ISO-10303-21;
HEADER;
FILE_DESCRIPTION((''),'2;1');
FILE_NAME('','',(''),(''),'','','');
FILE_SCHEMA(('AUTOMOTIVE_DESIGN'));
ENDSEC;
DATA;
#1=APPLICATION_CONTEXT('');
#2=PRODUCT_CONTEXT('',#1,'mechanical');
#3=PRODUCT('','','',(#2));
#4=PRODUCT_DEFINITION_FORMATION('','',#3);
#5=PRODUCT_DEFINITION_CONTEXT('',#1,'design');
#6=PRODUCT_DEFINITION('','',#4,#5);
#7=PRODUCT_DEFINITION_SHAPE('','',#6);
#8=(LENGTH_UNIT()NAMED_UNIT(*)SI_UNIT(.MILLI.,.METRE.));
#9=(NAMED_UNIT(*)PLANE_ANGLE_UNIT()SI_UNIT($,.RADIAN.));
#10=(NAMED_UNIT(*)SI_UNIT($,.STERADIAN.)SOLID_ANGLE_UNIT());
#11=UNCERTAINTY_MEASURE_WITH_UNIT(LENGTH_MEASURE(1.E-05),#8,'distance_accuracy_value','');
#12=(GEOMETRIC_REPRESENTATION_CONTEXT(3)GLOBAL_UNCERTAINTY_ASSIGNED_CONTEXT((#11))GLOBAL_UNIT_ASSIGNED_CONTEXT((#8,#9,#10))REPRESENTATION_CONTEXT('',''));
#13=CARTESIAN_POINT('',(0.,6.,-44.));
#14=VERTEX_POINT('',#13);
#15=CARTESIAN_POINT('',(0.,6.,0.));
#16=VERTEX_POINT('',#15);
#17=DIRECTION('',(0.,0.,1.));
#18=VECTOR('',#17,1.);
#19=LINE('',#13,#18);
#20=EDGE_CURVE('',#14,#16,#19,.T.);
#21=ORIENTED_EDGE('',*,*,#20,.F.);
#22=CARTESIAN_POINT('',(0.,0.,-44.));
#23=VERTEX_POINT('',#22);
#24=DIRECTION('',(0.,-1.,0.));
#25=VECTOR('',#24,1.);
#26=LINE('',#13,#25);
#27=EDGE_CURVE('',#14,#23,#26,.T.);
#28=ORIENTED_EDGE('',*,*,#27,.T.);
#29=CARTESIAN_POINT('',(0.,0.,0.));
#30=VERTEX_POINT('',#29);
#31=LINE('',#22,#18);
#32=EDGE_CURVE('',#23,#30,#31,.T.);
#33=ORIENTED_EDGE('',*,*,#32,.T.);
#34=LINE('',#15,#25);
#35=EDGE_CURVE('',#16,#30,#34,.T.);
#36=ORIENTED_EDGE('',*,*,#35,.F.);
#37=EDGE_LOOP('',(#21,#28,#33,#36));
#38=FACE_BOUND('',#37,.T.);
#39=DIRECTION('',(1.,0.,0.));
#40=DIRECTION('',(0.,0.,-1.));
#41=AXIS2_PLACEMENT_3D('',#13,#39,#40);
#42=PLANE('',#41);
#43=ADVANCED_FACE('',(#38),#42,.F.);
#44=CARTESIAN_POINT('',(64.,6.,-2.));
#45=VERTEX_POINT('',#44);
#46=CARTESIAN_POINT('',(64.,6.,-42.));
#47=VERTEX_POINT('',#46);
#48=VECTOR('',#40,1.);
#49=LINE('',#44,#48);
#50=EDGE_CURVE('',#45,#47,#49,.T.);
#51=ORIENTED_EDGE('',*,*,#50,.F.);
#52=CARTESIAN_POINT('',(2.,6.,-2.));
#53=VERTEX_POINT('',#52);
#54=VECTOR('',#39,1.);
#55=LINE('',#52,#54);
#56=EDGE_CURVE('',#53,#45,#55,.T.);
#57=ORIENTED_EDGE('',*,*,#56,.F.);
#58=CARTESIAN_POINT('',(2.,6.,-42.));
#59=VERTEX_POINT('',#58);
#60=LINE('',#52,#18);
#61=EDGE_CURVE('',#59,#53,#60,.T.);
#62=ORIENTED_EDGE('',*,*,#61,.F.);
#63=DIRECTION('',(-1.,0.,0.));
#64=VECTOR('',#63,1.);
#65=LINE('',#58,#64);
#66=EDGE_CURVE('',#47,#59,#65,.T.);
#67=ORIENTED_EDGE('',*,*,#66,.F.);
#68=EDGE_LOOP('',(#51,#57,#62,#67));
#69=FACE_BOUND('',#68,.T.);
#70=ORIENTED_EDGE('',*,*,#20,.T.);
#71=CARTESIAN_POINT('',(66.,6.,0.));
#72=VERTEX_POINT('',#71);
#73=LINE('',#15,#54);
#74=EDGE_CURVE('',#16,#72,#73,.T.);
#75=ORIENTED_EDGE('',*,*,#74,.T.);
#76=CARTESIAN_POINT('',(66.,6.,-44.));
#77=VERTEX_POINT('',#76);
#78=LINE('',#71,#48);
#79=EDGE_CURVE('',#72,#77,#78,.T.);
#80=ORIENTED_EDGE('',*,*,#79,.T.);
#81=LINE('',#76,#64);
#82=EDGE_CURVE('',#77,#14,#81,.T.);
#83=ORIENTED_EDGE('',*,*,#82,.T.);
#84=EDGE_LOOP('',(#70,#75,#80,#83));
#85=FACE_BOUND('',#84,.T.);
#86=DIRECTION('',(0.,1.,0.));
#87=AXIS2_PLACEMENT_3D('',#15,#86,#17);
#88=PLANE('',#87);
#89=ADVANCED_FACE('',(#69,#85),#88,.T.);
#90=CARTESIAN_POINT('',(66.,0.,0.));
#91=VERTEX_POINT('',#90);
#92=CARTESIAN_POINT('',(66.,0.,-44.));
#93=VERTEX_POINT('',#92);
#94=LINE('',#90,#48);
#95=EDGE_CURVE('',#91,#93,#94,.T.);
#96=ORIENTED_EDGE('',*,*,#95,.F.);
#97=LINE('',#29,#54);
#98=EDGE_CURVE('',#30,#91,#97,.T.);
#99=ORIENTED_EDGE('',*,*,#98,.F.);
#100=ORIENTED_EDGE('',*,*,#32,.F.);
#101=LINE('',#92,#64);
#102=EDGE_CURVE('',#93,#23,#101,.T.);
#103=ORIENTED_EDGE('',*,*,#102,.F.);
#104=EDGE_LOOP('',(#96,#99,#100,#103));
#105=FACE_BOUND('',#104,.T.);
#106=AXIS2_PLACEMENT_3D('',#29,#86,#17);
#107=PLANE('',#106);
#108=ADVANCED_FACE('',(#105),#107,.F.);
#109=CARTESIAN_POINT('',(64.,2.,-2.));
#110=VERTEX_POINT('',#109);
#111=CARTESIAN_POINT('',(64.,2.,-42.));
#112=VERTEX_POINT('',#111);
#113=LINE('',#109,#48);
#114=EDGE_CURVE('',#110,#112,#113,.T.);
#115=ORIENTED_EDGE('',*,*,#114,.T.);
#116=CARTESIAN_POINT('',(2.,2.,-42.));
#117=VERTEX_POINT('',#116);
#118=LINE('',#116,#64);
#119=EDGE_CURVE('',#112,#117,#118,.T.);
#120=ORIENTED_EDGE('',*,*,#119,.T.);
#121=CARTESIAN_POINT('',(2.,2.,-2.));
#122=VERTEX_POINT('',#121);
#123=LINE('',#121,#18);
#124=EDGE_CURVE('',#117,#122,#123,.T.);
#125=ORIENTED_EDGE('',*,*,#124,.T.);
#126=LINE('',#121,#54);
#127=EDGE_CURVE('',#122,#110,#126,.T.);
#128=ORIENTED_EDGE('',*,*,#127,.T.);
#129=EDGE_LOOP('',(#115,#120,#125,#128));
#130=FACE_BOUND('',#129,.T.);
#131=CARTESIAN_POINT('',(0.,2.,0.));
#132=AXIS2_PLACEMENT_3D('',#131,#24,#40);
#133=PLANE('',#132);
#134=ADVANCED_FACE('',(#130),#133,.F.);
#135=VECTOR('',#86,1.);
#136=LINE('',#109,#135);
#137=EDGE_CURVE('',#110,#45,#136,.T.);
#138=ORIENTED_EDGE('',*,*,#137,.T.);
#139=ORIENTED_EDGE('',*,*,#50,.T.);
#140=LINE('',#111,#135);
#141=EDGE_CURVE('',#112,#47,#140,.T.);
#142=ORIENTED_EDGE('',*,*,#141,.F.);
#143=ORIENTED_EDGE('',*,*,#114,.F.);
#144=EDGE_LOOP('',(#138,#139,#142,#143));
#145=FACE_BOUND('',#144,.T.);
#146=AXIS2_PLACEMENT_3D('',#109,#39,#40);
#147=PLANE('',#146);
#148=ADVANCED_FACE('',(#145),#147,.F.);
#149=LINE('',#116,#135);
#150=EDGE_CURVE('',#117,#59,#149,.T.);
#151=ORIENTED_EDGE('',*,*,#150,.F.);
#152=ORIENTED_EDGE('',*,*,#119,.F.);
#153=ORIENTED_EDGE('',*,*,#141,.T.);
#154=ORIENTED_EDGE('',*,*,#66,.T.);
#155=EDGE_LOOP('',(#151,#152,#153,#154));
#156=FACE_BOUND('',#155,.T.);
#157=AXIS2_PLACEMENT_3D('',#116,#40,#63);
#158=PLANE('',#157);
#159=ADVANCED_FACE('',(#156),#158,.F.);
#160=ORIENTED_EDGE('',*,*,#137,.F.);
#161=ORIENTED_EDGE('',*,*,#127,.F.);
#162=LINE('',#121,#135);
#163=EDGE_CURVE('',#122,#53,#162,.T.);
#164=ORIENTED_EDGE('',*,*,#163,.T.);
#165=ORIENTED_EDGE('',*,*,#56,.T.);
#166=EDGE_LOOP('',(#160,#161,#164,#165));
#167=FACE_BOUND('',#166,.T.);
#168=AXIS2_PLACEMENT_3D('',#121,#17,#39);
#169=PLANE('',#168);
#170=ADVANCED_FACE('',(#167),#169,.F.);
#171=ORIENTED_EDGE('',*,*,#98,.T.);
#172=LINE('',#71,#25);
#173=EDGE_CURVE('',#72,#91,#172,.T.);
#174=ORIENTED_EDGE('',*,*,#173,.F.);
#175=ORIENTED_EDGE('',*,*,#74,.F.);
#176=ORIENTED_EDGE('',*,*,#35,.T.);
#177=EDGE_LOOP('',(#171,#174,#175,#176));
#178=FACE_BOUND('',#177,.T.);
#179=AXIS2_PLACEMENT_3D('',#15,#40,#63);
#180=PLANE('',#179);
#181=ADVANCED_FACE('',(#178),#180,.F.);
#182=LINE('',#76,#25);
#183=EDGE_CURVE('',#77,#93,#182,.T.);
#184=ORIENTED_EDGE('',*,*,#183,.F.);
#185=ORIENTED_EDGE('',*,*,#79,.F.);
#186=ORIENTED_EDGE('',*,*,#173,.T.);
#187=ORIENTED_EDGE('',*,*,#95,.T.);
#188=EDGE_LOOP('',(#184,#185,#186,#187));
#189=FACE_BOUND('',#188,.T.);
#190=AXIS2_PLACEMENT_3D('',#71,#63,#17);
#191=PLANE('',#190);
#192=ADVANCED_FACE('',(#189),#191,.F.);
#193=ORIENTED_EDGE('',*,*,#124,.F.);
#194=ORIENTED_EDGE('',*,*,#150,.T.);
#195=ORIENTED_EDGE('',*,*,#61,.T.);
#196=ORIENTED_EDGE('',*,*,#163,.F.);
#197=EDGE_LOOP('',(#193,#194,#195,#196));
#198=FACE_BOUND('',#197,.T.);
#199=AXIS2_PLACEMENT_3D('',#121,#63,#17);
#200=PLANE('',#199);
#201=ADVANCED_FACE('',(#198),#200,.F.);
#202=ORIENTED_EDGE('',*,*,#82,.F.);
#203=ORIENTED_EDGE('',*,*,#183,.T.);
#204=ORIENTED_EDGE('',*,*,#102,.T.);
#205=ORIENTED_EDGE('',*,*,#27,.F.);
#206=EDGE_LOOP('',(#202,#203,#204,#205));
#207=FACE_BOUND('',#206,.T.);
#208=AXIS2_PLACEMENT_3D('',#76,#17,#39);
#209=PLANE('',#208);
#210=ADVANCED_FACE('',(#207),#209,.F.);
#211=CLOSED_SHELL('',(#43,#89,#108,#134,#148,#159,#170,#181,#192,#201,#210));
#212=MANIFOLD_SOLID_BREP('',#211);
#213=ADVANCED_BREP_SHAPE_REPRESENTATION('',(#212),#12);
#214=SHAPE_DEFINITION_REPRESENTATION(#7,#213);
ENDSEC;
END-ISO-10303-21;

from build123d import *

# Parameters (mm, degrees)
SKETCH_1_W          = 66
SKETCH_1_H          = 44
EXTRUDE_1_DEPTH     = 6
SKETCH_2_W          = 62
SKETCH_2_H          = 40
CUT_EXTRUDE_1_DEPTH = 4


with BuildPart() as part:
    # 草图1 → 凸台-拉伸1 (new body)
    with BuildSketch(Plane(origin=(0, 0, 0), x_dir=(1, 0, 0), z_dir=(0, 1, 0))):
        with Locations((33, 22)):
            Rectangle(SKETCH_1_W, SKETCH_1_H)
    extrude(amount=EXTRUDE_1_DEPTH)

    # 草图2 → 切除-拉伸1 (cut)
    with BuildSketch(Plane(origin=(0, 6, 0), x_dir=(1, 0, 0), z_dir=(0, 1, 0))):
        with Locations((33, 22)):
            Rectangle(SKETCH_2_W, SKETCH_2_H)
    extrude(amount=-CUT_EXTRUDE_1_DEPTH, mode=Mode.SUBTRACT)


solid = part.part
